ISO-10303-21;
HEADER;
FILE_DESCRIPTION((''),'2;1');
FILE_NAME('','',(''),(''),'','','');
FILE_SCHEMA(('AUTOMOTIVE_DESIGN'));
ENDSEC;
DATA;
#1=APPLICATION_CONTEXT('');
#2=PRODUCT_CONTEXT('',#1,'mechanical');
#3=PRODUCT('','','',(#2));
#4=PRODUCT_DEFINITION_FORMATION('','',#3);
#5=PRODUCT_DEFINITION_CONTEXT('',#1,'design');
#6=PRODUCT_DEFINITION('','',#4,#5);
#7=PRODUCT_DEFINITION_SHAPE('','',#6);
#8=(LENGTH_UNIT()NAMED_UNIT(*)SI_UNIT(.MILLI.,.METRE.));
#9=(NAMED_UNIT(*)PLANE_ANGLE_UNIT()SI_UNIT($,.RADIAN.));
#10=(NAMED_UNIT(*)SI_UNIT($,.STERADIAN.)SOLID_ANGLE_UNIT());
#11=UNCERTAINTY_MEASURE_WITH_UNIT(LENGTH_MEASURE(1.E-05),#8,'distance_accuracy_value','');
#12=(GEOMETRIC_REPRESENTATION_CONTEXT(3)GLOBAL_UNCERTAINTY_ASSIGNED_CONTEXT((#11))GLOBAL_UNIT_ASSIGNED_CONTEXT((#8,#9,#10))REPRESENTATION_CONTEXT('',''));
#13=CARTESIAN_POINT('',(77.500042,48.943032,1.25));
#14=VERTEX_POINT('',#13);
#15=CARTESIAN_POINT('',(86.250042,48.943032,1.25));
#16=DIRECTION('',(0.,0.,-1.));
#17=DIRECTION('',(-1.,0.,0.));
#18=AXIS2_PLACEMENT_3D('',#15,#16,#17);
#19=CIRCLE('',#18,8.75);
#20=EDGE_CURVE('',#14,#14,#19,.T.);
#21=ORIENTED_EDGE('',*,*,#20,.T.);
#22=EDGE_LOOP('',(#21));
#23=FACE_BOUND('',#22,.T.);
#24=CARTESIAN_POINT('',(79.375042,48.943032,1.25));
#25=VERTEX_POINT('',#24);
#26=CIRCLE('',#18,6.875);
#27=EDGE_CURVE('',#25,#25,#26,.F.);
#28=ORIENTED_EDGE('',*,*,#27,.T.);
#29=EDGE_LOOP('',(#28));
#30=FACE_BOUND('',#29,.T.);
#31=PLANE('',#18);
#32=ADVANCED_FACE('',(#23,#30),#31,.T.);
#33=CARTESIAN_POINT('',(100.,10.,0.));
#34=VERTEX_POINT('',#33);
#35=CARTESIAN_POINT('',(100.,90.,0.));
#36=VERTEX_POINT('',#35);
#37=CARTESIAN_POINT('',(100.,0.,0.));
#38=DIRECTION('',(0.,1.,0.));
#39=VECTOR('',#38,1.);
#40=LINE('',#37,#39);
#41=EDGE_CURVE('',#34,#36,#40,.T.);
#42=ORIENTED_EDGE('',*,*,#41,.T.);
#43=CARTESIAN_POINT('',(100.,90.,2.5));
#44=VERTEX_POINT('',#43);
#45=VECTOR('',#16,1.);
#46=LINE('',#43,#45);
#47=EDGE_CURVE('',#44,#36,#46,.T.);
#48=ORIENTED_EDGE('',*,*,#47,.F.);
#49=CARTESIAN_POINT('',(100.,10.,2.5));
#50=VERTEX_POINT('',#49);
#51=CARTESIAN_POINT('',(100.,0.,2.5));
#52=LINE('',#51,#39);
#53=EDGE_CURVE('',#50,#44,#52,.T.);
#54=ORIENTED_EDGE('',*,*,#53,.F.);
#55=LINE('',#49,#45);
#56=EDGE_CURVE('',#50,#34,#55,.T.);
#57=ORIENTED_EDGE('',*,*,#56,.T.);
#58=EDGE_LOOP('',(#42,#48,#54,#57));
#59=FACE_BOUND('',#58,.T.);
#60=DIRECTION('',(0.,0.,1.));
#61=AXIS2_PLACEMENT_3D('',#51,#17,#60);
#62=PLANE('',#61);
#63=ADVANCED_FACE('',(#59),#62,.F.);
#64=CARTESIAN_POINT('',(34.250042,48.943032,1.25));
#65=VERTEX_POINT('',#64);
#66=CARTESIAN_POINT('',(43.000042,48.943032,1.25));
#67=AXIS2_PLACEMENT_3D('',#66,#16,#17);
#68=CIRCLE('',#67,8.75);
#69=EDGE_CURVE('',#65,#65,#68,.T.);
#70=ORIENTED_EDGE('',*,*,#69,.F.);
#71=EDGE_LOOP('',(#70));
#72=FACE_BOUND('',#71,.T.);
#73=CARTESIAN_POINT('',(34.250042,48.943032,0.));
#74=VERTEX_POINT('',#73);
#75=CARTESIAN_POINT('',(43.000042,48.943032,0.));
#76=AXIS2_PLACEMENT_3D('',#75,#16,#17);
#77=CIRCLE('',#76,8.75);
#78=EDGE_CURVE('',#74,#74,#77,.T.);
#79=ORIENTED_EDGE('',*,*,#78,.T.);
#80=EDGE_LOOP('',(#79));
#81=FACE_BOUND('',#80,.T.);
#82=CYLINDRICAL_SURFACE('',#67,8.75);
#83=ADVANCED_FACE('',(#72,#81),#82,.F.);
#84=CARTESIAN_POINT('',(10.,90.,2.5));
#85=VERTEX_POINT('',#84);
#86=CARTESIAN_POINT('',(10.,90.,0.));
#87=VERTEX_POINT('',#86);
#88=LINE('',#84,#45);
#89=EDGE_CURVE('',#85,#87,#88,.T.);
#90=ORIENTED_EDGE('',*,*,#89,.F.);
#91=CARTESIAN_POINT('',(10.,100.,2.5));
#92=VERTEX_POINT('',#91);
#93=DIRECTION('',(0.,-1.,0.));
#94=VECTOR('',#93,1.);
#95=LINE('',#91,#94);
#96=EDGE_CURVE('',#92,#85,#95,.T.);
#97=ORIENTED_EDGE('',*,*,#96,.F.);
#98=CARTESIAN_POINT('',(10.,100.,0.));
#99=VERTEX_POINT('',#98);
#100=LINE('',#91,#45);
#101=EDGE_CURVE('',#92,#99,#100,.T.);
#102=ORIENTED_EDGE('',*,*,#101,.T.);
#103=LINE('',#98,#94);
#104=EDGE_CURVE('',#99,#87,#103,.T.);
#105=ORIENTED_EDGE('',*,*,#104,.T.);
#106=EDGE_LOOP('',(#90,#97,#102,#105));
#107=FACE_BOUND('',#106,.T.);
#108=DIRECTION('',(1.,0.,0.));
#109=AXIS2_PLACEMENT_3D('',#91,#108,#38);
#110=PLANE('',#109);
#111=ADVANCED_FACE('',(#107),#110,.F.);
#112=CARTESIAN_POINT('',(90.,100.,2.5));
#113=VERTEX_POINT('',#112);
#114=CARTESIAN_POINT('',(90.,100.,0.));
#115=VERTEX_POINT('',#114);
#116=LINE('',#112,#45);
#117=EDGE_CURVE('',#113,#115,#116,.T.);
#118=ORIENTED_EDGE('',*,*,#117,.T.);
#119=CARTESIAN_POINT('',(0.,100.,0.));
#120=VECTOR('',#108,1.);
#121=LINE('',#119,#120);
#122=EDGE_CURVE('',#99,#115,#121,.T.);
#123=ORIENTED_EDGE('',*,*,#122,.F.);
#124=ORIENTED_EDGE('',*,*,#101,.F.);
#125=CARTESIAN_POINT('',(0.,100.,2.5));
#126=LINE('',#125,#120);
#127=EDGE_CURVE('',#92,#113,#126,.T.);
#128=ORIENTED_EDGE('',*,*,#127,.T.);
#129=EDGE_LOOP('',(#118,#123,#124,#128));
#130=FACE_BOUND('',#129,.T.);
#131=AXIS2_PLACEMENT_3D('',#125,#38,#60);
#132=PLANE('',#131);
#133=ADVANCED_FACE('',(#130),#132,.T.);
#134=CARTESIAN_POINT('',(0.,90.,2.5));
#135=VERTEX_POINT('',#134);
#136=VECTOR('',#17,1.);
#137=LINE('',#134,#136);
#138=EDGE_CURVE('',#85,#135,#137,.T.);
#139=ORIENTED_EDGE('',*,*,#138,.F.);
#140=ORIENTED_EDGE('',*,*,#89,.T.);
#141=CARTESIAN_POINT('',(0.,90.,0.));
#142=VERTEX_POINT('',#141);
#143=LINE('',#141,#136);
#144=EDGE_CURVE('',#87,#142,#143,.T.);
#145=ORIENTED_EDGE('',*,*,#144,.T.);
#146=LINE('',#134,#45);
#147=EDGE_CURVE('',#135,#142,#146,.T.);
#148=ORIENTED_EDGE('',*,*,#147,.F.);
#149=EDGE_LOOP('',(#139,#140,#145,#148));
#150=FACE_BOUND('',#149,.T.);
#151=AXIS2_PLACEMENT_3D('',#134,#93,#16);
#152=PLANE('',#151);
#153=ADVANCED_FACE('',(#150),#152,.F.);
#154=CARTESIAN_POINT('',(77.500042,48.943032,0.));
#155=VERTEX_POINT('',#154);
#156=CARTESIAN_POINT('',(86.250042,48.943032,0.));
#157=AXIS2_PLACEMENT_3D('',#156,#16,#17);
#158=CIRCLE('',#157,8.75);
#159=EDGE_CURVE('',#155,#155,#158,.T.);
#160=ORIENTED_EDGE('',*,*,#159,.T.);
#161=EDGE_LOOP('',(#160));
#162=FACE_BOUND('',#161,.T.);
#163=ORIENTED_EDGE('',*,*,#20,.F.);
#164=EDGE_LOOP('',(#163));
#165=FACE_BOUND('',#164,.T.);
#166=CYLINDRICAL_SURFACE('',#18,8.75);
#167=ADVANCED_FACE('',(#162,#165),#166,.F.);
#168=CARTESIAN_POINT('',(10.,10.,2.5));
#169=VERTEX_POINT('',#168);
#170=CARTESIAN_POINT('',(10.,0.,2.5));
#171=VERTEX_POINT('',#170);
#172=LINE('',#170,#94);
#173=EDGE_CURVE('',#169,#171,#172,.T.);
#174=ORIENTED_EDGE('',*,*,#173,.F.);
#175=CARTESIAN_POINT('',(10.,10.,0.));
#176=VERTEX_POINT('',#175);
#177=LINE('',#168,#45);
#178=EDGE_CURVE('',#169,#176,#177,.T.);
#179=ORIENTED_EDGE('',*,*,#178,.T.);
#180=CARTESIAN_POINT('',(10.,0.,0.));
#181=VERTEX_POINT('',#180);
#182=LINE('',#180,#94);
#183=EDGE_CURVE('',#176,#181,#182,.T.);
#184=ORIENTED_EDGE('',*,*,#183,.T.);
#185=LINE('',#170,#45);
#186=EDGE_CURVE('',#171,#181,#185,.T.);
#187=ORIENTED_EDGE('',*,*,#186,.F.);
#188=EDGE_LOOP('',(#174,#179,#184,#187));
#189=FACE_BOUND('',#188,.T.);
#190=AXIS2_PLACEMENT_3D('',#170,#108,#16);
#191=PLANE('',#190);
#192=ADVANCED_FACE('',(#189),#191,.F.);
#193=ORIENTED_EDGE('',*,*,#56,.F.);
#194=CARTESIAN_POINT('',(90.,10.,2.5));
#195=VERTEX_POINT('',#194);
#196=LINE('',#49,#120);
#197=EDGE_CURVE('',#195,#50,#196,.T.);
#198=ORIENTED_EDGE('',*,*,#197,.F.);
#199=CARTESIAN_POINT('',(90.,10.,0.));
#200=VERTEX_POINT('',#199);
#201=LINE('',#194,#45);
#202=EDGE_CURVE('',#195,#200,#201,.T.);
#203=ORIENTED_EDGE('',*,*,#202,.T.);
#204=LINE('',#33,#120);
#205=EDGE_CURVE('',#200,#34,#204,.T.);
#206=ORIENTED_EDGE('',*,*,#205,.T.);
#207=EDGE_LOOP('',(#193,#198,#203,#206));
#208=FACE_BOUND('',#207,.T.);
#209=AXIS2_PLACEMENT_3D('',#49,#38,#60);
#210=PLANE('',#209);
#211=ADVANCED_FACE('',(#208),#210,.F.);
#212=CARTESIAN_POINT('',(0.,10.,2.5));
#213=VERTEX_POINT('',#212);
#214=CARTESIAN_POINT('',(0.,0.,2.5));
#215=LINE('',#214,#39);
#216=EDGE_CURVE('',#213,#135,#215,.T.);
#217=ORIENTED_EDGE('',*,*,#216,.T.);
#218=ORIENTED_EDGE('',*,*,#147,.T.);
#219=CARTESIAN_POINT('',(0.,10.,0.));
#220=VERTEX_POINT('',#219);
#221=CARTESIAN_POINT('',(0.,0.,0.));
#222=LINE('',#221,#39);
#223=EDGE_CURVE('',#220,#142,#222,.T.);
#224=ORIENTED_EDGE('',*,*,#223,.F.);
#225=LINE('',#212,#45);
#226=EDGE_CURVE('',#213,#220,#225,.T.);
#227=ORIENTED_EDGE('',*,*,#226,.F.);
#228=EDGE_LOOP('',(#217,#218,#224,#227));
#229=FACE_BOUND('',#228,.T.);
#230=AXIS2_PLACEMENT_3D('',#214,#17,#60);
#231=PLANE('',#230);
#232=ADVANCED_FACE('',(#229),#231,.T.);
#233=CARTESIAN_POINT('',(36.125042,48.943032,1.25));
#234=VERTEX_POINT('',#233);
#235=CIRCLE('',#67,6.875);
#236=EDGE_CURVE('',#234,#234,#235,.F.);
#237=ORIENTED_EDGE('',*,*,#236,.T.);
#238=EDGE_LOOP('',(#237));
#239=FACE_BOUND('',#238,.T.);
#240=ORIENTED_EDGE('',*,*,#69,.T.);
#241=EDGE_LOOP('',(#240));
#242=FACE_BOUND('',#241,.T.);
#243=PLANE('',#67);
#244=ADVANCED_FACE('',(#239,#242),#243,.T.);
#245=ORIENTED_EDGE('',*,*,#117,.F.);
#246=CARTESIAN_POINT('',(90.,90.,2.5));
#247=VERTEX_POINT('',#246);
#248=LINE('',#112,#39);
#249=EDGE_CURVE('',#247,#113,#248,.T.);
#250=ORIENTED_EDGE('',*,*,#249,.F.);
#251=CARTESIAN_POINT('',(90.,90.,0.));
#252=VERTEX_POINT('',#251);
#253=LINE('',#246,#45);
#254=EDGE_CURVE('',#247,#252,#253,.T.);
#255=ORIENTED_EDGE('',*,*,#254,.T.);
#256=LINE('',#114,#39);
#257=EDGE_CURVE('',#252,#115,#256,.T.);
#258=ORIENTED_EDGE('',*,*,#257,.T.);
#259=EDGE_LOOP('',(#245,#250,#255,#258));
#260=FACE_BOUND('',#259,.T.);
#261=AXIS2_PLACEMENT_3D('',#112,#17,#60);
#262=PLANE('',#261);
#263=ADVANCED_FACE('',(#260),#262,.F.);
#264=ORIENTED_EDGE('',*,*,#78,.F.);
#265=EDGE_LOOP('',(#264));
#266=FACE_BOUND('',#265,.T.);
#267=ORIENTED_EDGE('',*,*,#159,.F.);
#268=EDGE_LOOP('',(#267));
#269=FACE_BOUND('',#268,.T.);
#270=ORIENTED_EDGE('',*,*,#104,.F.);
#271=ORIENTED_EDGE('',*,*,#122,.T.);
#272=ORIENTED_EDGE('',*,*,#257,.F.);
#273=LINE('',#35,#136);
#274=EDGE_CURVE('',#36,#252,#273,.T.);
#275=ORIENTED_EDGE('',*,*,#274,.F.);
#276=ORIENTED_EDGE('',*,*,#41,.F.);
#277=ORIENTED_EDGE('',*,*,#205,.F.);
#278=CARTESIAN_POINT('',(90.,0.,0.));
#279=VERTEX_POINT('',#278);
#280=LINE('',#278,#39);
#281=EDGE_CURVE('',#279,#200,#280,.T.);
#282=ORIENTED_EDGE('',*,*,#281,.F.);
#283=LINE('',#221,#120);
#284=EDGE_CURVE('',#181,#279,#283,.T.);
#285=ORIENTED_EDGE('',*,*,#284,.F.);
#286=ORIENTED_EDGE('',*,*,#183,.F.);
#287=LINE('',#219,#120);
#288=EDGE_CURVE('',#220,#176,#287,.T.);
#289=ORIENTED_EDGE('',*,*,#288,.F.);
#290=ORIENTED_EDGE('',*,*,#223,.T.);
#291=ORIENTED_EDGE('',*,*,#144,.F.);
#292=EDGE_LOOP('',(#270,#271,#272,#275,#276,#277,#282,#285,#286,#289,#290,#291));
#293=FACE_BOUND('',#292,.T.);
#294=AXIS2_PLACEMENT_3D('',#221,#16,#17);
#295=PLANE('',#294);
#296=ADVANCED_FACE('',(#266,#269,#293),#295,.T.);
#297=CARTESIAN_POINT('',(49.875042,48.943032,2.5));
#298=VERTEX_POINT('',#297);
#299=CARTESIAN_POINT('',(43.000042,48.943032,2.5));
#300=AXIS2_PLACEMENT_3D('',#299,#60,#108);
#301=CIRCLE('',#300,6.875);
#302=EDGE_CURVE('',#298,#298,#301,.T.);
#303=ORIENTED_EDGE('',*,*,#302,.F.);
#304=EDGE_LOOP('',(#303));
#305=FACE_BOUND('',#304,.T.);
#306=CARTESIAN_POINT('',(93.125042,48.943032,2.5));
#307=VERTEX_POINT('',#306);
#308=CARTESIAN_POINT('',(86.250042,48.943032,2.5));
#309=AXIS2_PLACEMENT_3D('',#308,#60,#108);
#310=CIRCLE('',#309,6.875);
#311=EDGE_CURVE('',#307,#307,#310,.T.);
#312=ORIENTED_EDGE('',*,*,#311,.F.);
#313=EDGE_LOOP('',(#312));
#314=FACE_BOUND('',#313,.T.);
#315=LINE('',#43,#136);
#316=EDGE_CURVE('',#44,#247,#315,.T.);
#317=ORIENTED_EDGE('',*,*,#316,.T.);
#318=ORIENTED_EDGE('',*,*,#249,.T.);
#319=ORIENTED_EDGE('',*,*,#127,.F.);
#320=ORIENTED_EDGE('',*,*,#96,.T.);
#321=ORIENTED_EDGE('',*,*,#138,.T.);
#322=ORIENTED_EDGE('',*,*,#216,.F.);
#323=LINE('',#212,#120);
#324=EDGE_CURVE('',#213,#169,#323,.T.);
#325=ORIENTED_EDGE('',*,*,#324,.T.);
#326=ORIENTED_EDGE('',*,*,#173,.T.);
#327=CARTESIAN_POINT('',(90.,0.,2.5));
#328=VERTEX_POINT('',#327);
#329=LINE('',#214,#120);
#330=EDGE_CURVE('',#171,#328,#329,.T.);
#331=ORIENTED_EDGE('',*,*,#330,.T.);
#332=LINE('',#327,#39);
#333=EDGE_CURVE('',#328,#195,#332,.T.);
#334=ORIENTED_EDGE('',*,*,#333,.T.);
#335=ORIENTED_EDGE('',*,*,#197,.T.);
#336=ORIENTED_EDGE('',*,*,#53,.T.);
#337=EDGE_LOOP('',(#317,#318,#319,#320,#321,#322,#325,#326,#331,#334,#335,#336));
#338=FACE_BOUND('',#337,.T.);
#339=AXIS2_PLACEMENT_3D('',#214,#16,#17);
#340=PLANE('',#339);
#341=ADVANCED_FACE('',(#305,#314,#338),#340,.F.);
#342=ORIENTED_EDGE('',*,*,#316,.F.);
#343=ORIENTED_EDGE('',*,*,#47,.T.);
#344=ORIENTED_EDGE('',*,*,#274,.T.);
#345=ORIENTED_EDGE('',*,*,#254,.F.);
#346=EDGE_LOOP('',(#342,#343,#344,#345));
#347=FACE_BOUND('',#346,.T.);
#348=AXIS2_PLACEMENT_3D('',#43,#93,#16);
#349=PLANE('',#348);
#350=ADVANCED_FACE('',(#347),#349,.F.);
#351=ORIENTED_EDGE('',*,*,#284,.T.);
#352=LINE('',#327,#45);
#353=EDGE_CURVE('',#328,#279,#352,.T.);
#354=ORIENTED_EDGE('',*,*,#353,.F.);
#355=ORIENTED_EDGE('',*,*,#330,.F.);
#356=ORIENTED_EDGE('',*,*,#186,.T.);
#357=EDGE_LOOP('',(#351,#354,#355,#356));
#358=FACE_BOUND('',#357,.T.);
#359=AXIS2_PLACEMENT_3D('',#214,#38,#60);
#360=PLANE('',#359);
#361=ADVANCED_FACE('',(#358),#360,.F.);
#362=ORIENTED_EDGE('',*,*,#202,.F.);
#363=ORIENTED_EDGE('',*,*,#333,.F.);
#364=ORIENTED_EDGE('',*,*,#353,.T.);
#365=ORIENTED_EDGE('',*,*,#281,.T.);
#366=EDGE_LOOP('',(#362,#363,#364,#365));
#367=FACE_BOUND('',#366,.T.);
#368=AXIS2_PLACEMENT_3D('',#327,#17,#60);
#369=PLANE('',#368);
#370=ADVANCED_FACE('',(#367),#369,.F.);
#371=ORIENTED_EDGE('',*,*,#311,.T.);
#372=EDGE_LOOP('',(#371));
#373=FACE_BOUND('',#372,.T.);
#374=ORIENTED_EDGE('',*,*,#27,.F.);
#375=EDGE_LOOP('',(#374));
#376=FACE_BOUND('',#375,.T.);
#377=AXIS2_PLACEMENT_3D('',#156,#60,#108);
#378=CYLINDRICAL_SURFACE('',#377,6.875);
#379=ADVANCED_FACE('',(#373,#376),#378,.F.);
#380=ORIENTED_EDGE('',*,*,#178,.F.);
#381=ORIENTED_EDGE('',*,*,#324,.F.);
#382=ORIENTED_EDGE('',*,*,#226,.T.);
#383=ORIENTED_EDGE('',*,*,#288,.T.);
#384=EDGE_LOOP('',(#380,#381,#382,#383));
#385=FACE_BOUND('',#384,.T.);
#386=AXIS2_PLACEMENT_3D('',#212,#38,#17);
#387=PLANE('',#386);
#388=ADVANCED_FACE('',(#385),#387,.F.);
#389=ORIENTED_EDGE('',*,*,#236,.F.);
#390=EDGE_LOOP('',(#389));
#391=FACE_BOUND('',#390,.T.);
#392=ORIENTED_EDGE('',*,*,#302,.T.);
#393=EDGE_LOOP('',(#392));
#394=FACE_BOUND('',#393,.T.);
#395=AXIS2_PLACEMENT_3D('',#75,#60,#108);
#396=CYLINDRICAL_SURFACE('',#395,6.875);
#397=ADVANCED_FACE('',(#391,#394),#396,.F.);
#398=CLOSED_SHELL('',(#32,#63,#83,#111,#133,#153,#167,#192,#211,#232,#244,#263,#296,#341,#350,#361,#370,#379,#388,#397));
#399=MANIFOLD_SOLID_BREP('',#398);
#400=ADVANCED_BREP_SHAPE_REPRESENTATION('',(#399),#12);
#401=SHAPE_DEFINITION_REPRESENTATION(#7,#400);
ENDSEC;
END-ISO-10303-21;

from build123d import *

# Parameters (mm, degrees)
SKETCH1_W           = 100
SKETCH1_H           = 100
BOSS_EXTRUDE1_DEPTH = 2.5
SKETCH4_R           = 6.875
CUT_EXTRUDE2_DEPTH  = 142.443451598
SKETCH5_R           = 8.75
CUT_EXTRUDE3_DEPTH  = 1.25
SKETCH6_W           = 10
SKETCH6_H           = 10
CUT_EXTRUDE4_DEPTH  = 142.443451598


with BuildPart() as part:
    # Sketch1 → Boss-Extrude1 (new body)
    with BuildSketch(Plane.XY):
        with Locations((50, 50)):
            Rectangle(SKETCH1_W, SKETCH1_H)
    extrude(amount=BOSS_EXTRUDE1_DEPTH)

    # Sketch4 → Cut-Extrude2 (cut, through all)
    with BuildSketch(Plane.XY.offset(2.5)):
        with Locations((86.250042234, 48.943031999)):
            Circle(SKETCH4_R)
        with Locations((43.000042234, 48.943031999)):
            Circle(SKETCH4_R)
    extrude(amount=-CUT_EXTRUDE2_DEPTH, mode=Mode.SUBTRACT)

    # Sketch5 → Cut-Extrude3 (cut)
    with BuildSketch(Plane(origin=(0, 0, 0), x_dir=(-1, 0, 0), z_dir=(0, 0, -1))):
        with Locations((-86.250042234, 48.943031999)):
            Circle(SKETCH5_R)
        with Locations((-43.000042234, 48.943031999)):
            Circle(SKETCH5_R)
    extrude(amount=-CUT_EXTRUDE3_DEPTH, mode=Mode.SUBTRACT)

    # Sketch6 → Cut-Extrude4 (cut, through all)
    with BuildSketch(Plane(origin=(0, 0, 0), x_dir=(-1, 0, 0), z_dir=(0, 0, -1))):
        with Locations((-95, 95)):
            Rectangle(SKETCH6_W, SKETCH6_H)
        with Locations((-95, 5)):
            Rectangle(SKETCH6_W, SKETCH6_H)
        with Locations((-5, 95)):
            Rectangle(SKETCH6_W, SKETCH6_H)
        with Locations((-5, 5)):
            Rectangle(SKETCH6_W, SKETCH6_H)
    extrude(amount=-CUT_EXTRUDE4_DEPTH, mode=Mode.SUBTRACT)


solid = part.part
